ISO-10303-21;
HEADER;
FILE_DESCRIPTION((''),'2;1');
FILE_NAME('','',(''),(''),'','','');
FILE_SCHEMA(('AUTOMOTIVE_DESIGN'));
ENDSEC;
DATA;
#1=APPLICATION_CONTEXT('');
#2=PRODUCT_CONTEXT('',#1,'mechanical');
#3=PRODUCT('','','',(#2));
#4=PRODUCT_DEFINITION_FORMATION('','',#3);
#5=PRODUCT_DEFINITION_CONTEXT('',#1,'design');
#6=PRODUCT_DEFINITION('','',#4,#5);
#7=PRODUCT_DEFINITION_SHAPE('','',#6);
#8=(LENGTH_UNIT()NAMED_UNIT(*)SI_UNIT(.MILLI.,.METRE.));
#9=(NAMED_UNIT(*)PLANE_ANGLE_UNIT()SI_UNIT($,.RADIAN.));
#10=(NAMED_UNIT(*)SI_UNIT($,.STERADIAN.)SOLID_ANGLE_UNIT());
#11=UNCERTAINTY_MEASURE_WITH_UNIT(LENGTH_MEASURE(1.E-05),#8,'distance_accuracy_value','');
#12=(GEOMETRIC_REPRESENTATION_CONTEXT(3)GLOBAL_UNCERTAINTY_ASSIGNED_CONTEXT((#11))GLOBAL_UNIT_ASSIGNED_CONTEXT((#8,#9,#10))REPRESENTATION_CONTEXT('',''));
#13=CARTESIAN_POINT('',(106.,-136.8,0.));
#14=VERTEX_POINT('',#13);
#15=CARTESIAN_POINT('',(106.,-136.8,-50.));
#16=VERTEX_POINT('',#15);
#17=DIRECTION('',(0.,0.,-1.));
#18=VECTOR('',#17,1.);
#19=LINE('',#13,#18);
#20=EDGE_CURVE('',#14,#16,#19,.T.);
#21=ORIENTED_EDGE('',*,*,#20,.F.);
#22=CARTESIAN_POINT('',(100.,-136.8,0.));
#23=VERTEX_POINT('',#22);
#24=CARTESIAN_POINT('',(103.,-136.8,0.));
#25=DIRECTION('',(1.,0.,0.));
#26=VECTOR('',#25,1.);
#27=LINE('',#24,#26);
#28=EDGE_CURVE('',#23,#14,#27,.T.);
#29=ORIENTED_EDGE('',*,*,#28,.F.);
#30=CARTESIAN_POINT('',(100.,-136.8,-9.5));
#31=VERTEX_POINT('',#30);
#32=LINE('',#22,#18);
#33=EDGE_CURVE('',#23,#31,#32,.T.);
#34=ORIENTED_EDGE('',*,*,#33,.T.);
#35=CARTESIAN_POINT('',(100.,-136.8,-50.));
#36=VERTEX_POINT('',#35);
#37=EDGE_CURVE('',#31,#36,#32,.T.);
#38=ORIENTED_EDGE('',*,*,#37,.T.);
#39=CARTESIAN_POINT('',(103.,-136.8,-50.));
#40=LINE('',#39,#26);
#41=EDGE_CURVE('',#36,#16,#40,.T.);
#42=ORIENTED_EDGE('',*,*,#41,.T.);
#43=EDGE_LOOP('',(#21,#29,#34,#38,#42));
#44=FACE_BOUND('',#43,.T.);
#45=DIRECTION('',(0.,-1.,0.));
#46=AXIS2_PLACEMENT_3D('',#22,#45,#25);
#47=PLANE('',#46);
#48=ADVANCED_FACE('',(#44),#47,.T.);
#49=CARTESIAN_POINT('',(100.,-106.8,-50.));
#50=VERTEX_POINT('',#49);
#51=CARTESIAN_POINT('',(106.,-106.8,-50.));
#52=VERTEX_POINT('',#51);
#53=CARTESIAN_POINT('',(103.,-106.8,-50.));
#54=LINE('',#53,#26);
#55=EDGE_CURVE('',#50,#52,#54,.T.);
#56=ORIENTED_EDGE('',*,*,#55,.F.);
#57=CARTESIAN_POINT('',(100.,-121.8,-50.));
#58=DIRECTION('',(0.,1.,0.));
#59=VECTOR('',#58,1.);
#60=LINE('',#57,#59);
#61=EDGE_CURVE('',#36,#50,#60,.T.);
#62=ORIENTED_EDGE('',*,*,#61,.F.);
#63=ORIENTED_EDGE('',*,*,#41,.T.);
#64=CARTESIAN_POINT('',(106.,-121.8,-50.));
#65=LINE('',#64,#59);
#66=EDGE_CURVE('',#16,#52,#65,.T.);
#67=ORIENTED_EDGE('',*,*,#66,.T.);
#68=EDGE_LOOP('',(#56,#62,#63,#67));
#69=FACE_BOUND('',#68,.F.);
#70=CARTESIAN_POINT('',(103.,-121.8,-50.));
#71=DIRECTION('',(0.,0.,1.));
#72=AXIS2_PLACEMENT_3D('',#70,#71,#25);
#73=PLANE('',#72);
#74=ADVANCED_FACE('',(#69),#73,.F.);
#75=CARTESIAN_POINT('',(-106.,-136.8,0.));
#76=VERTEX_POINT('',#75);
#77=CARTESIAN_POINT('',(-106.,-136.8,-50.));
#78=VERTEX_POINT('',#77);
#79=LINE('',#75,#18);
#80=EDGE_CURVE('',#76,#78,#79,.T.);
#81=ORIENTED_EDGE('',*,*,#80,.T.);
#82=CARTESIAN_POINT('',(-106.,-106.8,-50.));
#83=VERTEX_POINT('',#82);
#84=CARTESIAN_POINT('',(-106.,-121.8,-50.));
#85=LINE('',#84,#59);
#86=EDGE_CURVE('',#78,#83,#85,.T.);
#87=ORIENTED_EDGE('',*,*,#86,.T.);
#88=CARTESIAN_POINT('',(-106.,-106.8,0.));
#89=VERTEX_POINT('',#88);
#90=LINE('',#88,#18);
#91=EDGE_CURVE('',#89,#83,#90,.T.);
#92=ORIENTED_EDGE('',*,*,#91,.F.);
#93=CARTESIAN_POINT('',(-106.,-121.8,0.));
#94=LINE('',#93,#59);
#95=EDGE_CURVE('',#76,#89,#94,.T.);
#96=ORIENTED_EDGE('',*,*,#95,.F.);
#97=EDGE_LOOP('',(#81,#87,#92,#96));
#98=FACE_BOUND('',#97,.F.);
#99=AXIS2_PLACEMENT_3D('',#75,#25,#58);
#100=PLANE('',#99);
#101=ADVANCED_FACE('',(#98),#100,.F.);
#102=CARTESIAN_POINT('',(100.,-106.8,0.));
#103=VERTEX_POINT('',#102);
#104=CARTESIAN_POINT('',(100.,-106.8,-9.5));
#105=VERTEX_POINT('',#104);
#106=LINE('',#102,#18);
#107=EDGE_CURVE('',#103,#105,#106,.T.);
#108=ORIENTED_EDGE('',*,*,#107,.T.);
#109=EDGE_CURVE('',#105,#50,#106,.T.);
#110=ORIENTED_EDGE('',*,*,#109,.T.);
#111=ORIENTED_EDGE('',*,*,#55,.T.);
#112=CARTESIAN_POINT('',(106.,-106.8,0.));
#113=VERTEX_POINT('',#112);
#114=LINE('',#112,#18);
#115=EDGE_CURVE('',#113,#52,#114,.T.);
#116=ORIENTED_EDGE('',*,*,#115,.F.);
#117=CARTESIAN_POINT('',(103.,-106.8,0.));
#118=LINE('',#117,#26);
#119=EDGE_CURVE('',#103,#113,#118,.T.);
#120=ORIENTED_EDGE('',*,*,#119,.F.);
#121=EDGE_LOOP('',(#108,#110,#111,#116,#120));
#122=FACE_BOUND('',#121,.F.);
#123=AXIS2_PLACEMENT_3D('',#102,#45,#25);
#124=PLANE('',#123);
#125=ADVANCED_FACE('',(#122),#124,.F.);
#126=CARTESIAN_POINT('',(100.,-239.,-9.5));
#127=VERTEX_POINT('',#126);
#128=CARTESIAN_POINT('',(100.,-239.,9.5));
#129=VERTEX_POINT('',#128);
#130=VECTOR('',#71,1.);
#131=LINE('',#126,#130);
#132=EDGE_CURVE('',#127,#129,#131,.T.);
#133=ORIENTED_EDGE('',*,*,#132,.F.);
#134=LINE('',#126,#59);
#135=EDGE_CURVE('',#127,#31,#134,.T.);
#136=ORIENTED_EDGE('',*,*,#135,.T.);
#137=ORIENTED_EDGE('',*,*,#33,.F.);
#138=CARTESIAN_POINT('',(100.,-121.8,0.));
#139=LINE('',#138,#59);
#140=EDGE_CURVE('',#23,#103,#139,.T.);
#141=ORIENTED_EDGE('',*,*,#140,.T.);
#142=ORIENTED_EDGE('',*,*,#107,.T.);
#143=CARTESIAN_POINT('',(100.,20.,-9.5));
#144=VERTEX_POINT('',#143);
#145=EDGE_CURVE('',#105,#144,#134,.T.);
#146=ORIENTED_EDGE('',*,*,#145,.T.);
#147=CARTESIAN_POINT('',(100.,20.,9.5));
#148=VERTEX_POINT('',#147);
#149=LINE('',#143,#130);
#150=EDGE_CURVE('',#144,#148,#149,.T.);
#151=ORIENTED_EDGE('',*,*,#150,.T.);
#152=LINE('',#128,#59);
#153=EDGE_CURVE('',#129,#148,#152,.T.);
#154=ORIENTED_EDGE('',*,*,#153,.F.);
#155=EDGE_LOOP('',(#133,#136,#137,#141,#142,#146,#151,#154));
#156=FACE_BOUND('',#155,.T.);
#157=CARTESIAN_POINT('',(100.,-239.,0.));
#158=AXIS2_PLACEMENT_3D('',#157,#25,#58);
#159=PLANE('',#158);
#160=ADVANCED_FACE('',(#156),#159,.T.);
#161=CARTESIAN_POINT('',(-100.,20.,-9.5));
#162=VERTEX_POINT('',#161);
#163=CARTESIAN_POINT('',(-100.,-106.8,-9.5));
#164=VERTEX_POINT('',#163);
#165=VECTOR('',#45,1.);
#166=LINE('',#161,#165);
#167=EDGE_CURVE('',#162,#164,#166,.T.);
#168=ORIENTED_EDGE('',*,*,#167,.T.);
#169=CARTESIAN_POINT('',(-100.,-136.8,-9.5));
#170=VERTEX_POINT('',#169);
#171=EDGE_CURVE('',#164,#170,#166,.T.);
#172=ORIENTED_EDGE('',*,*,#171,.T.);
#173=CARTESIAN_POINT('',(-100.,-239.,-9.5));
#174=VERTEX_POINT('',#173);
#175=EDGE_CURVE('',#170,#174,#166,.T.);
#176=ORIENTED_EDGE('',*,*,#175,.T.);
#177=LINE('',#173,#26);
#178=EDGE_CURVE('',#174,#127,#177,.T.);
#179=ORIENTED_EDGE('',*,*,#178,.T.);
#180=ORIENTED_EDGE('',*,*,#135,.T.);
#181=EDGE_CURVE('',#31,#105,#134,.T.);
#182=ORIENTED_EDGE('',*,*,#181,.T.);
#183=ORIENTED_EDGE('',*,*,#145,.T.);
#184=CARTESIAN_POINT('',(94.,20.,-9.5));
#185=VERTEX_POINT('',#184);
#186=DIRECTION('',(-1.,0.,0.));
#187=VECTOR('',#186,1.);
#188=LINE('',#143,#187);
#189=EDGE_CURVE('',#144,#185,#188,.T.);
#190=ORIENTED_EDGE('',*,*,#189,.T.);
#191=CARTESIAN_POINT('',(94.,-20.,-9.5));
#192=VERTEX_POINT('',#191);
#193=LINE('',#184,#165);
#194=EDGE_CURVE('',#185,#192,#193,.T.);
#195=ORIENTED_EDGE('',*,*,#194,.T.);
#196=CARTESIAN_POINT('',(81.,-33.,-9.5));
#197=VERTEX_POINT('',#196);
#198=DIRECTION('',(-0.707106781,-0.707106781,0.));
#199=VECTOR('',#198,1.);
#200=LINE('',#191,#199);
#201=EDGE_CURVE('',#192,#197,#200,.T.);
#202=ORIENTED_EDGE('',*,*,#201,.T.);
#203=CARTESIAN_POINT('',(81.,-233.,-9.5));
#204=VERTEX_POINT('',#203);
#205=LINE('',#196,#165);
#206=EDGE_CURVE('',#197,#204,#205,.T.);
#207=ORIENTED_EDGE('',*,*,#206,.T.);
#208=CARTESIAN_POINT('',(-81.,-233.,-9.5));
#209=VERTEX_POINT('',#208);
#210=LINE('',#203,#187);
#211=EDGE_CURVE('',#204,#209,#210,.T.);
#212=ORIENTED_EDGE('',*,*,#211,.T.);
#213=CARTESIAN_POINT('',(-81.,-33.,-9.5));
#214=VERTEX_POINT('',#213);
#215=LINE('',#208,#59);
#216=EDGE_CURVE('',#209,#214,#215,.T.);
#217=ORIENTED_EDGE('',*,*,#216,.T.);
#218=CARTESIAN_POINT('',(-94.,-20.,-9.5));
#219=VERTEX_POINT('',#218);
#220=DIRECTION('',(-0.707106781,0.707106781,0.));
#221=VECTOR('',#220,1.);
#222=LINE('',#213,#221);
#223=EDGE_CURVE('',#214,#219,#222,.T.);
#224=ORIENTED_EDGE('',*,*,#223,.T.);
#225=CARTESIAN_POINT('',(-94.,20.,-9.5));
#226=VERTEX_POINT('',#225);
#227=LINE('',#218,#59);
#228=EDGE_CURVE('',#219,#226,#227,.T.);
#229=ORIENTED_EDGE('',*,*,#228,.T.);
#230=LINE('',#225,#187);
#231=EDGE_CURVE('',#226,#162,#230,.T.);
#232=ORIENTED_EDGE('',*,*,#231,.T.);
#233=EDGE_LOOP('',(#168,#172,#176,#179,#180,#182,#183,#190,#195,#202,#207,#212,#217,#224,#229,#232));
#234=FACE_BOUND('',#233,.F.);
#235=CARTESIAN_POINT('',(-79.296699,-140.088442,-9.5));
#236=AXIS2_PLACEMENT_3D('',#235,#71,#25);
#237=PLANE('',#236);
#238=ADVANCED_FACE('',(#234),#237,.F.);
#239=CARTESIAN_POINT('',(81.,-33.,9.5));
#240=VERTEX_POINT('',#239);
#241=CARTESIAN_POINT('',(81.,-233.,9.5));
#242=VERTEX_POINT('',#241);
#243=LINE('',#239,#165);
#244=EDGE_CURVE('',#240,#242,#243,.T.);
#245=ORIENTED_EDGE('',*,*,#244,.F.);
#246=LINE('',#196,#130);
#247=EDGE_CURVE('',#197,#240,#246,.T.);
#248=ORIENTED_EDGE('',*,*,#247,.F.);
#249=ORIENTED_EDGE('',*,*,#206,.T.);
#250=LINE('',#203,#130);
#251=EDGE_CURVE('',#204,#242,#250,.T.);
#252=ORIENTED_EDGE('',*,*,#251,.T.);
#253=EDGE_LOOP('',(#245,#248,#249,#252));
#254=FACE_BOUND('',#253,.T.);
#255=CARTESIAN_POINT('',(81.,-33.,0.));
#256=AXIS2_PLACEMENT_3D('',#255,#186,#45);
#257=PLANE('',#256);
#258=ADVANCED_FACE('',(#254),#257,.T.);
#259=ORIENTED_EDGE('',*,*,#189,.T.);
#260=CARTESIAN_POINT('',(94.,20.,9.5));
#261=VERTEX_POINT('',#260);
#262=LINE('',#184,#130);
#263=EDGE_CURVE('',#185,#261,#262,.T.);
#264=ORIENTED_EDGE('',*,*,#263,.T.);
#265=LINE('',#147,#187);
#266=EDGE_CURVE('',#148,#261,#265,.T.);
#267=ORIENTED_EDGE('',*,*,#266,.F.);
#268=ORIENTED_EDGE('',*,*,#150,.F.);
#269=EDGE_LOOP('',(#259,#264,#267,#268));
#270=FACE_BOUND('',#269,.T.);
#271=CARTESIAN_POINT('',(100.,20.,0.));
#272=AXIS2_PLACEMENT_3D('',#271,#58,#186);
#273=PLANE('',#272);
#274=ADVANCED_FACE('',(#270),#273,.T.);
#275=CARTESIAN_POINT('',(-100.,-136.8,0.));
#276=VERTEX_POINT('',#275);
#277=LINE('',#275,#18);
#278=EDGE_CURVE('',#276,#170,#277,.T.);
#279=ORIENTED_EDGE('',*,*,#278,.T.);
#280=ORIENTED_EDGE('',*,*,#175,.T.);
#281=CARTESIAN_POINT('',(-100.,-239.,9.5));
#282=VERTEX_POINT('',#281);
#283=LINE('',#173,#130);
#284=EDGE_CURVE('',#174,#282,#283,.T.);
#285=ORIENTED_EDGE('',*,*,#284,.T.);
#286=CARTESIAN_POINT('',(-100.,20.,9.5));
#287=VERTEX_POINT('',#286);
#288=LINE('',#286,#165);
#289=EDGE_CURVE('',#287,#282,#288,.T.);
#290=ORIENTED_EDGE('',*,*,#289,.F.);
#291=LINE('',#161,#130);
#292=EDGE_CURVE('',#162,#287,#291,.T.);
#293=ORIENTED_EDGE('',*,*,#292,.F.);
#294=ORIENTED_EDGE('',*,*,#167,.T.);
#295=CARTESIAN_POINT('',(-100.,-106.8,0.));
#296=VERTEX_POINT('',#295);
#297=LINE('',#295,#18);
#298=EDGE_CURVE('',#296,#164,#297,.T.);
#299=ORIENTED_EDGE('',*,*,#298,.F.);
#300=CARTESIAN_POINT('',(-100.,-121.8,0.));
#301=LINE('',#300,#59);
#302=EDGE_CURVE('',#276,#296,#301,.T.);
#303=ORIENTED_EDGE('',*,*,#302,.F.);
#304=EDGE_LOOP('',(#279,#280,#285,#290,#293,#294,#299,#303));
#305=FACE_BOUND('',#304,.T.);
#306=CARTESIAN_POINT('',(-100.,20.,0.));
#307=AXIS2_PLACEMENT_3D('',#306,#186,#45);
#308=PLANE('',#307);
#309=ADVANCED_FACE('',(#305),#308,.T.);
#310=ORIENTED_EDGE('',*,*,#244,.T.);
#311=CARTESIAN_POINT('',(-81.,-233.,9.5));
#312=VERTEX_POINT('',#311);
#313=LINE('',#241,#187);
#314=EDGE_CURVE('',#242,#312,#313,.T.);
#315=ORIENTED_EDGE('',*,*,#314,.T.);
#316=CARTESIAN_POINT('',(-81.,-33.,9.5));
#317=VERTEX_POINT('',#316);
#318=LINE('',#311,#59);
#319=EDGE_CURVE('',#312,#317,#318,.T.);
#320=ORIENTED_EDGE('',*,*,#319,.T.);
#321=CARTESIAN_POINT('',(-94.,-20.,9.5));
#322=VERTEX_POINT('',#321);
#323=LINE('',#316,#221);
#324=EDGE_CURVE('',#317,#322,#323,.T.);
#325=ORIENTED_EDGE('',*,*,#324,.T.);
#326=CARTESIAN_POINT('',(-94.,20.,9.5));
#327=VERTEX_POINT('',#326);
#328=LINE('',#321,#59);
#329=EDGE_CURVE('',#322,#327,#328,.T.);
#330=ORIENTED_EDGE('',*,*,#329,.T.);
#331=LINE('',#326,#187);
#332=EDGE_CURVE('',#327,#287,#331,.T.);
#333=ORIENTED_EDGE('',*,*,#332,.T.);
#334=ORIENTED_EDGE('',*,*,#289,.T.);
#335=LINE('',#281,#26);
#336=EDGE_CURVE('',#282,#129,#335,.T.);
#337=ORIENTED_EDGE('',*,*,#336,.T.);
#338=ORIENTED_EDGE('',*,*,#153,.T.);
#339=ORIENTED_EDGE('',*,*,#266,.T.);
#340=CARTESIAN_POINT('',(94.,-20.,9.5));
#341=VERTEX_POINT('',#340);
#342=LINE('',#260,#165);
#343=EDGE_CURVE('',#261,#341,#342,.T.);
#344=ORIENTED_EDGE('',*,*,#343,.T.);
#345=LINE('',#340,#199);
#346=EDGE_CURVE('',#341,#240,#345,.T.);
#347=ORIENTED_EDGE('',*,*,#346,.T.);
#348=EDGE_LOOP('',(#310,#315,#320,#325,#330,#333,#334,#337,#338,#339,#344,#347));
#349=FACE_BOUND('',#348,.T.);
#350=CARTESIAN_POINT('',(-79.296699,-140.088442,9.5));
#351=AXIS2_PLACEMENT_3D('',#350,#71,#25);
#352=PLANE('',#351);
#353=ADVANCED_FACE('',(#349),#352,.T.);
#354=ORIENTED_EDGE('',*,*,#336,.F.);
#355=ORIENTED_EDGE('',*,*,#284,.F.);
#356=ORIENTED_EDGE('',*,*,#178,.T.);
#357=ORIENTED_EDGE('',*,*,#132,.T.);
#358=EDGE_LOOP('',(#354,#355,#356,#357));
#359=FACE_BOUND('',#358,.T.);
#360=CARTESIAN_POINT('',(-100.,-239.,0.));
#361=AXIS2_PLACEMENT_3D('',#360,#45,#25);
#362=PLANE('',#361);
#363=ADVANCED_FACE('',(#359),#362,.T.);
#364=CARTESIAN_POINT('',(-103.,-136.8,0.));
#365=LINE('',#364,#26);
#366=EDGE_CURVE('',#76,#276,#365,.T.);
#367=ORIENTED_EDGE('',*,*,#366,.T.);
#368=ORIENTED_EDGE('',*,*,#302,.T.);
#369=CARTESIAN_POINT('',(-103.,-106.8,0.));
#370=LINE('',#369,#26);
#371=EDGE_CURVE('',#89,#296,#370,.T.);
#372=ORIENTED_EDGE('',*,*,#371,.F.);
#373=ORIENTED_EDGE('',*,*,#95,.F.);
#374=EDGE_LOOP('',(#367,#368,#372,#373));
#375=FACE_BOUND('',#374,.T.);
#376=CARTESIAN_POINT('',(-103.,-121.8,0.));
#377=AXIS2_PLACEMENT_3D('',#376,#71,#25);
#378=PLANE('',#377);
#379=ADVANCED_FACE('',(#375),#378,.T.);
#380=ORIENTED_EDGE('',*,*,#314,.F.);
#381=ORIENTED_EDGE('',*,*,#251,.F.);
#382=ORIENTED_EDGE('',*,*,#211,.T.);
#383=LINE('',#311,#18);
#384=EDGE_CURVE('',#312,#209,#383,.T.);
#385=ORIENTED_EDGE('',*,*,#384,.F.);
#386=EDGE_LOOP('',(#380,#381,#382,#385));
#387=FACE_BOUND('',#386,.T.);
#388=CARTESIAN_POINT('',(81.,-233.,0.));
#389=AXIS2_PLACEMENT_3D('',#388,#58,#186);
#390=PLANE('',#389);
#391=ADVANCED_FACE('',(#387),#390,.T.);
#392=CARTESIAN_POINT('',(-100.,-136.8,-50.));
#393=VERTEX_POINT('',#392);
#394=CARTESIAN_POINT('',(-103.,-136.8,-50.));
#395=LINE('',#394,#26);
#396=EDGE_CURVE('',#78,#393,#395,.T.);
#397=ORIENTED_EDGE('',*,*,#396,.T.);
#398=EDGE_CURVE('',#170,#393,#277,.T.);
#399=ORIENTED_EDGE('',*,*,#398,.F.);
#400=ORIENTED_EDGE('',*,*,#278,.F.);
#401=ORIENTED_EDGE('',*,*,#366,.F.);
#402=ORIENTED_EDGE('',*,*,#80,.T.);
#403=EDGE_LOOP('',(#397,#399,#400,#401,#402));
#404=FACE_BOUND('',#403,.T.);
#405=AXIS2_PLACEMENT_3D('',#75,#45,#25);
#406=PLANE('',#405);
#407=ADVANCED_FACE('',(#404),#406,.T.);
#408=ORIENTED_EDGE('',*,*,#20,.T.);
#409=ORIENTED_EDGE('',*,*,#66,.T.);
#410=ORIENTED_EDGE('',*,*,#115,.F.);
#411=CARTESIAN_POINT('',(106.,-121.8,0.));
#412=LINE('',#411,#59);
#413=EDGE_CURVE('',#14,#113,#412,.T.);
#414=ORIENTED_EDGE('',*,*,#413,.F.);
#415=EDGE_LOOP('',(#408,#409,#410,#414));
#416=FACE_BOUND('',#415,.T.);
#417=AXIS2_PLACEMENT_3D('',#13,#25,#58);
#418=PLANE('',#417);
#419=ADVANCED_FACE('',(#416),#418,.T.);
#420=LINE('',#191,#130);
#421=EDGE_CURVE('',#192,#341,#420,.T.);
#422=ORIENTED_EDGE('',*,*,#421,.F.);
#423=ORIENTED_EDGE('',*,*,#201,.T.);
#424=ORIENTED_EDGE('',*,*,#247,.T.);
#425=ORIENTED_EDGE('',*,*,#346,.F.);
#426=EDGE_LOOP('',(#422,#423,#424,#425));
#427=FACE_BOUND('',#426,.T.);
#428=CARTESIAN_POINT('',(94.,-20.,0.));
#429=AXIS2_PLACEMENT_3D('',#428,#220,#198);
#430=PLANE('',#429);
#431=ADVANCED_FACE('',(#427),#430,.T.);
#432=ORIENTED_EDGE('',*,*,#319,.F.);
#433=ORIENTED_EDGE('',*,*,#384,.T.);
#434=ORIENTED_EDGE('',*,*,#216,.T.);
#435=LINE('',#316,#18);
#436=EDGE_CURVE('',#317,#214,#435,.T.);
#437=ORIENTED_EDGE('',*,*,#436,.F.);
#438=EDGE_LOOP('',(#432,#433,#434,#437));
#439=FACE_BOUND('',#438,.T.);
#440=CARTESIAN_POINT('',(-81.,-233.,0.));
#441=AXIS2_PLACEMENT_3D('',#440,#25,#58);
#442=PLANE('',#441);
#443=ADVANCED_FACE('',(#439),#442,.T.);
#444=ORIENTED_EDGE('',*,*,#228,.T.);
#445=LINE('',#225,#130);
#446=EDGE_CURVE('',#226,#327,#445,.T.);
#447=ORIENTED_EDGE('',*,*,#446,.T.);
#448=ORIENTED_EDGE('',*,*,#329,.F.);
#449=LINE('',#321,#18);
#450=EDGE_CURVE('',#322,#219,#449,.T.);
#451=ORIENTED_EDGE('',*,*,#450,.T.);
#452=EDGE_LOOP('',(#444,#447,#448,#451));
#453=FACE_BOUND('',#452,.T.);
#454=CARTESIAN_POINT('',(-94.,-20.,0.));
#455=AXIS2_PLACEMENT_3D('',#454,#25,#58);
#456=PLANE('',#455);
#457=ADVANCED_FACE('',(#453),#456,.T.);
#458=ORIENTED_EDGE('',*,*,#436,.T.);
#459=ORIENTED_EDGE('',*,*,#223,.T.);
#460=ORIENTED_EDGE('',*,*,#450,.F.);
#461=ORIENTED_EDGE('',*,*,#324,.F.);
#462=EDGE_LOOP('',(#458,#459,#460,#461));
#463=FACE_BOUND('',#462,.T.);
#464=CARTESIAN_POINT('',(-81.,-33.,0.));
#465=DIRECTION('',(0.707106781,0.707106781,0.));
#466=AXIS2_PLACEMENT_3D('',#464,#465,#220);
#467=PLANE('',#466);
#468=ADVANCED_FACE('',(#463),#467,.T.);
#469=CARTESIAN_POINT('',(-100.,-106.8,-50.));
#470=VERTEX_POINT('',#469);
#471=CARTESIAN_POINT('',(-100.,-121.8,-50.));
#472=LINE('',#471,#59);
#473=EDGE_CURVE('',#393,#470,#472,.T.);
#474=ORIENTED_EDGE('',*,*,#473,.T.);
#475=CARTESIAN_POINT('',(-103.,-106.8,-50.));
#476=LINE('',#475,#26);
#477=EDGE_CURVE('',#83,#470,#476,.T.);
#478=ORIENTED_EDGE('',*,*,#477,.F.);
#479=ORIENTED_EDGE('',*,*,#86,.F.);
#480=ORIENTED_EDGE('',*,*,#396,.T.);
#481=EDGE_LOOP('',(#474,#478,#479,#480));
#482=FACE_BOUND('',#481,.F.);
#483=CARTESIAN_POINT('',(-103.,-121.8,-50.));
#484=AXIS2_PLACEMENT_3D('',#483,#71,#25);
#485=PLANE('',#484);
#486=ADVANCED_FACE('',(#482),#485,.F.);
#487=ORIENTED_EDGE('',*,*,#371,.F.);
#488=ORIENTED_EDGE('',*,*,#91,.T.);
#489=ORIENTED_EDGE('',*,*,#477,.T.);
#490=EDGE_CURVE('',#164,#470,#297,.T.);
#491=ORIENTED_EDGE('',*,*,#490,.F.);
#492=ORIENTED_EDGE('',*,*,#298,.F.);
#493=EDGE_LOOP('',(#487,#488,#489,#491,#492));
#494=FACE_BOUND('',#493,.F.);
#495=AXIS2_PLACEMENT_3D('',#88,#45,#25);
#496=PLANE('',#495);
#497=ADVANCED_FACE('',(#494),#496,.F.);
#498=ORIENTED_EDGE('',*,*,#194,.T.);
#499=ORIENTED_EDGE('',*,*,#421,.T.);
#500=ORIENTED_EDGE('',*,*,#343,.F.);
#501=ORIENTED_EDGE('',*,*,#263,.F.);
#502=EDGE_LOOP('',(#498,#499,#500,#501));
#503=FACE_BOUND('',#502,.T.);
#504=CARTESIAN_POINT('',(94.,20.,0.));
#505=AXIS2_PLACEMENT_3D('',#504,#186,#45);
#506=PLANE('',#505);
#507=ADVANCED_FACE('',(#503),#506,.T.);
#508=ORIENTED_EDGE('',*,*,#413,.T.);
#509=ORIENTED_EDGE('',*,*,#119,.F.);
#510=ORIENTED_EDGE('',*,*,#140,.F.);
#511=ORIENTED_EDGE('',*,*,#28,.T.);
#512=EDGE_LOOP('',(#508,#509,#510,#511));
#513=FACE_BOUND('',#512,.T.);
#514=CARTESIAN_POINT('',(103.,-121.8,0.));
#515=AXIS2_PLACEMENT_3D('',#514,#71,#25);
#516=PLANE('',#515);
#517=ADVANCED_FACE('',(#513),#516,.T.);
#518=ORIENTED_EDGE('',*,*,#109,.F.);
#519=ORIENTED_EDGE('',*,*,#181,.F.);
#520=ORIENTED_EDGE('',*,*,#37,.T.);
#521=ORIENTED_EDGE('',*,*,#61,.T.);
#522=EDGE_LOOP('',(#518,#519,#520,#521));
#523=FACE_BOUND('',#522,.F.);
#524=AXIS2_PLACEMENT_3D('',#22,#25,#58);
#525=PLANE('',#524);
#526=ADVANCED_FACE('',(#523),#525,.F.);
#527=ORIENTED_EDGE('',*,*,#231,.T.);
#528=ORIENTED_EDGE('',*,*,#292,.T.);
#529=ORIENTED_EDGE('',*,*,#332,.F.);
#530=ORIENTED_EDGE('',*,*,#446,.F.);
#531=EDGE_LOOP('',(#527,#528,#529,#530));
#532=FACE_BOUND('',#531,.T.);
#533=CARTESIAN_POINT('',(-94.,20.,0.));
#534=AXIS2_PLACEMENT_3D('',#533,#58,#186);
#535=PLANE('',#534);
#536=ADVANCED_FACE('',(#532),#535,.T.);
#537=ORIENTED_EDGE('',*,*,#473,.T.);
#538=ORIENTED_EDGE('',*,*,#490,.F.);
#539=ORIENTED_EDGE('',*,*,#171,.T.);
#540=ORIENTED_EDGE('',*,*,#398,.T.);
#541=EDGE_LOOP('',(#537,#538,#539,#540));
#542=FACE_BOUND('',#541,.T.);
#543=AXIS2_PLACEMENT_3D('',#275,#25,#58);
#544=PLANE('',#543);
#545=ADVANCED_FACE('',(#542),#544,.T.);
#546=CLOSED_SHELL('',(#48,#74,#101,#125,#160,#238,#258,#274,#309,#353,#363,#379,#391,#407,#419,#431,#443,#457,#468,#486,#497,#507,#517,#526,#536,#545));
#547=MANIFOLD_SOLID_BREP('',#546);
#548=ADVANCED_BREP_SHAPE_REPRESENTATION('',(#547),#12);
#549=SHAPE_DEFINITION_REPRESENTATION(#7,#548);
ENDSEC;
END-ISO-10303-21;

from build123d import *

# Parameters (mm, degrees)
F1_DEPTH      = 9.5
F1_DEPTH_BACK = 9.5
F0_W          = 6
F0_H          = 30
F2_DEPTH      = 50


with BuildPart() as f1:
    # F0 (on Top) → F1 (new body, two sides)
    with BuildSketch(Plane.XY) as f1_sk:
        Polygon((-94, -20), (-94, 20), (-100, 20), (-100, -106.8), (-100, -136.8), (-100, -239), (0, -239), (0, -233), (-81, -233), (-81, -33), align=None)
        Polygon((81, -233), (0, -233), (0, -239), (100, -239), (100, -136.8), (100, -106.8), (100, 20), (94, 20), (94, -20), (81, -33), align=None)
    extrude(amount=F1_DEPTH)
    extrude(f1_sk.sketch, amount=-F1_DEPTH_BACK)

    # F0 (on Top) → F2 (join)
    with BuildSketch(Plane.XY):
        with Locations((-103, -121.8)):
            Rectangle(F0_W, F0_H)
        with Locations((103, -121.8)):
            Rectangle(F0_W, F0_H)
    extrude(amount=-F2_DEPTH)


solid = f1.part
